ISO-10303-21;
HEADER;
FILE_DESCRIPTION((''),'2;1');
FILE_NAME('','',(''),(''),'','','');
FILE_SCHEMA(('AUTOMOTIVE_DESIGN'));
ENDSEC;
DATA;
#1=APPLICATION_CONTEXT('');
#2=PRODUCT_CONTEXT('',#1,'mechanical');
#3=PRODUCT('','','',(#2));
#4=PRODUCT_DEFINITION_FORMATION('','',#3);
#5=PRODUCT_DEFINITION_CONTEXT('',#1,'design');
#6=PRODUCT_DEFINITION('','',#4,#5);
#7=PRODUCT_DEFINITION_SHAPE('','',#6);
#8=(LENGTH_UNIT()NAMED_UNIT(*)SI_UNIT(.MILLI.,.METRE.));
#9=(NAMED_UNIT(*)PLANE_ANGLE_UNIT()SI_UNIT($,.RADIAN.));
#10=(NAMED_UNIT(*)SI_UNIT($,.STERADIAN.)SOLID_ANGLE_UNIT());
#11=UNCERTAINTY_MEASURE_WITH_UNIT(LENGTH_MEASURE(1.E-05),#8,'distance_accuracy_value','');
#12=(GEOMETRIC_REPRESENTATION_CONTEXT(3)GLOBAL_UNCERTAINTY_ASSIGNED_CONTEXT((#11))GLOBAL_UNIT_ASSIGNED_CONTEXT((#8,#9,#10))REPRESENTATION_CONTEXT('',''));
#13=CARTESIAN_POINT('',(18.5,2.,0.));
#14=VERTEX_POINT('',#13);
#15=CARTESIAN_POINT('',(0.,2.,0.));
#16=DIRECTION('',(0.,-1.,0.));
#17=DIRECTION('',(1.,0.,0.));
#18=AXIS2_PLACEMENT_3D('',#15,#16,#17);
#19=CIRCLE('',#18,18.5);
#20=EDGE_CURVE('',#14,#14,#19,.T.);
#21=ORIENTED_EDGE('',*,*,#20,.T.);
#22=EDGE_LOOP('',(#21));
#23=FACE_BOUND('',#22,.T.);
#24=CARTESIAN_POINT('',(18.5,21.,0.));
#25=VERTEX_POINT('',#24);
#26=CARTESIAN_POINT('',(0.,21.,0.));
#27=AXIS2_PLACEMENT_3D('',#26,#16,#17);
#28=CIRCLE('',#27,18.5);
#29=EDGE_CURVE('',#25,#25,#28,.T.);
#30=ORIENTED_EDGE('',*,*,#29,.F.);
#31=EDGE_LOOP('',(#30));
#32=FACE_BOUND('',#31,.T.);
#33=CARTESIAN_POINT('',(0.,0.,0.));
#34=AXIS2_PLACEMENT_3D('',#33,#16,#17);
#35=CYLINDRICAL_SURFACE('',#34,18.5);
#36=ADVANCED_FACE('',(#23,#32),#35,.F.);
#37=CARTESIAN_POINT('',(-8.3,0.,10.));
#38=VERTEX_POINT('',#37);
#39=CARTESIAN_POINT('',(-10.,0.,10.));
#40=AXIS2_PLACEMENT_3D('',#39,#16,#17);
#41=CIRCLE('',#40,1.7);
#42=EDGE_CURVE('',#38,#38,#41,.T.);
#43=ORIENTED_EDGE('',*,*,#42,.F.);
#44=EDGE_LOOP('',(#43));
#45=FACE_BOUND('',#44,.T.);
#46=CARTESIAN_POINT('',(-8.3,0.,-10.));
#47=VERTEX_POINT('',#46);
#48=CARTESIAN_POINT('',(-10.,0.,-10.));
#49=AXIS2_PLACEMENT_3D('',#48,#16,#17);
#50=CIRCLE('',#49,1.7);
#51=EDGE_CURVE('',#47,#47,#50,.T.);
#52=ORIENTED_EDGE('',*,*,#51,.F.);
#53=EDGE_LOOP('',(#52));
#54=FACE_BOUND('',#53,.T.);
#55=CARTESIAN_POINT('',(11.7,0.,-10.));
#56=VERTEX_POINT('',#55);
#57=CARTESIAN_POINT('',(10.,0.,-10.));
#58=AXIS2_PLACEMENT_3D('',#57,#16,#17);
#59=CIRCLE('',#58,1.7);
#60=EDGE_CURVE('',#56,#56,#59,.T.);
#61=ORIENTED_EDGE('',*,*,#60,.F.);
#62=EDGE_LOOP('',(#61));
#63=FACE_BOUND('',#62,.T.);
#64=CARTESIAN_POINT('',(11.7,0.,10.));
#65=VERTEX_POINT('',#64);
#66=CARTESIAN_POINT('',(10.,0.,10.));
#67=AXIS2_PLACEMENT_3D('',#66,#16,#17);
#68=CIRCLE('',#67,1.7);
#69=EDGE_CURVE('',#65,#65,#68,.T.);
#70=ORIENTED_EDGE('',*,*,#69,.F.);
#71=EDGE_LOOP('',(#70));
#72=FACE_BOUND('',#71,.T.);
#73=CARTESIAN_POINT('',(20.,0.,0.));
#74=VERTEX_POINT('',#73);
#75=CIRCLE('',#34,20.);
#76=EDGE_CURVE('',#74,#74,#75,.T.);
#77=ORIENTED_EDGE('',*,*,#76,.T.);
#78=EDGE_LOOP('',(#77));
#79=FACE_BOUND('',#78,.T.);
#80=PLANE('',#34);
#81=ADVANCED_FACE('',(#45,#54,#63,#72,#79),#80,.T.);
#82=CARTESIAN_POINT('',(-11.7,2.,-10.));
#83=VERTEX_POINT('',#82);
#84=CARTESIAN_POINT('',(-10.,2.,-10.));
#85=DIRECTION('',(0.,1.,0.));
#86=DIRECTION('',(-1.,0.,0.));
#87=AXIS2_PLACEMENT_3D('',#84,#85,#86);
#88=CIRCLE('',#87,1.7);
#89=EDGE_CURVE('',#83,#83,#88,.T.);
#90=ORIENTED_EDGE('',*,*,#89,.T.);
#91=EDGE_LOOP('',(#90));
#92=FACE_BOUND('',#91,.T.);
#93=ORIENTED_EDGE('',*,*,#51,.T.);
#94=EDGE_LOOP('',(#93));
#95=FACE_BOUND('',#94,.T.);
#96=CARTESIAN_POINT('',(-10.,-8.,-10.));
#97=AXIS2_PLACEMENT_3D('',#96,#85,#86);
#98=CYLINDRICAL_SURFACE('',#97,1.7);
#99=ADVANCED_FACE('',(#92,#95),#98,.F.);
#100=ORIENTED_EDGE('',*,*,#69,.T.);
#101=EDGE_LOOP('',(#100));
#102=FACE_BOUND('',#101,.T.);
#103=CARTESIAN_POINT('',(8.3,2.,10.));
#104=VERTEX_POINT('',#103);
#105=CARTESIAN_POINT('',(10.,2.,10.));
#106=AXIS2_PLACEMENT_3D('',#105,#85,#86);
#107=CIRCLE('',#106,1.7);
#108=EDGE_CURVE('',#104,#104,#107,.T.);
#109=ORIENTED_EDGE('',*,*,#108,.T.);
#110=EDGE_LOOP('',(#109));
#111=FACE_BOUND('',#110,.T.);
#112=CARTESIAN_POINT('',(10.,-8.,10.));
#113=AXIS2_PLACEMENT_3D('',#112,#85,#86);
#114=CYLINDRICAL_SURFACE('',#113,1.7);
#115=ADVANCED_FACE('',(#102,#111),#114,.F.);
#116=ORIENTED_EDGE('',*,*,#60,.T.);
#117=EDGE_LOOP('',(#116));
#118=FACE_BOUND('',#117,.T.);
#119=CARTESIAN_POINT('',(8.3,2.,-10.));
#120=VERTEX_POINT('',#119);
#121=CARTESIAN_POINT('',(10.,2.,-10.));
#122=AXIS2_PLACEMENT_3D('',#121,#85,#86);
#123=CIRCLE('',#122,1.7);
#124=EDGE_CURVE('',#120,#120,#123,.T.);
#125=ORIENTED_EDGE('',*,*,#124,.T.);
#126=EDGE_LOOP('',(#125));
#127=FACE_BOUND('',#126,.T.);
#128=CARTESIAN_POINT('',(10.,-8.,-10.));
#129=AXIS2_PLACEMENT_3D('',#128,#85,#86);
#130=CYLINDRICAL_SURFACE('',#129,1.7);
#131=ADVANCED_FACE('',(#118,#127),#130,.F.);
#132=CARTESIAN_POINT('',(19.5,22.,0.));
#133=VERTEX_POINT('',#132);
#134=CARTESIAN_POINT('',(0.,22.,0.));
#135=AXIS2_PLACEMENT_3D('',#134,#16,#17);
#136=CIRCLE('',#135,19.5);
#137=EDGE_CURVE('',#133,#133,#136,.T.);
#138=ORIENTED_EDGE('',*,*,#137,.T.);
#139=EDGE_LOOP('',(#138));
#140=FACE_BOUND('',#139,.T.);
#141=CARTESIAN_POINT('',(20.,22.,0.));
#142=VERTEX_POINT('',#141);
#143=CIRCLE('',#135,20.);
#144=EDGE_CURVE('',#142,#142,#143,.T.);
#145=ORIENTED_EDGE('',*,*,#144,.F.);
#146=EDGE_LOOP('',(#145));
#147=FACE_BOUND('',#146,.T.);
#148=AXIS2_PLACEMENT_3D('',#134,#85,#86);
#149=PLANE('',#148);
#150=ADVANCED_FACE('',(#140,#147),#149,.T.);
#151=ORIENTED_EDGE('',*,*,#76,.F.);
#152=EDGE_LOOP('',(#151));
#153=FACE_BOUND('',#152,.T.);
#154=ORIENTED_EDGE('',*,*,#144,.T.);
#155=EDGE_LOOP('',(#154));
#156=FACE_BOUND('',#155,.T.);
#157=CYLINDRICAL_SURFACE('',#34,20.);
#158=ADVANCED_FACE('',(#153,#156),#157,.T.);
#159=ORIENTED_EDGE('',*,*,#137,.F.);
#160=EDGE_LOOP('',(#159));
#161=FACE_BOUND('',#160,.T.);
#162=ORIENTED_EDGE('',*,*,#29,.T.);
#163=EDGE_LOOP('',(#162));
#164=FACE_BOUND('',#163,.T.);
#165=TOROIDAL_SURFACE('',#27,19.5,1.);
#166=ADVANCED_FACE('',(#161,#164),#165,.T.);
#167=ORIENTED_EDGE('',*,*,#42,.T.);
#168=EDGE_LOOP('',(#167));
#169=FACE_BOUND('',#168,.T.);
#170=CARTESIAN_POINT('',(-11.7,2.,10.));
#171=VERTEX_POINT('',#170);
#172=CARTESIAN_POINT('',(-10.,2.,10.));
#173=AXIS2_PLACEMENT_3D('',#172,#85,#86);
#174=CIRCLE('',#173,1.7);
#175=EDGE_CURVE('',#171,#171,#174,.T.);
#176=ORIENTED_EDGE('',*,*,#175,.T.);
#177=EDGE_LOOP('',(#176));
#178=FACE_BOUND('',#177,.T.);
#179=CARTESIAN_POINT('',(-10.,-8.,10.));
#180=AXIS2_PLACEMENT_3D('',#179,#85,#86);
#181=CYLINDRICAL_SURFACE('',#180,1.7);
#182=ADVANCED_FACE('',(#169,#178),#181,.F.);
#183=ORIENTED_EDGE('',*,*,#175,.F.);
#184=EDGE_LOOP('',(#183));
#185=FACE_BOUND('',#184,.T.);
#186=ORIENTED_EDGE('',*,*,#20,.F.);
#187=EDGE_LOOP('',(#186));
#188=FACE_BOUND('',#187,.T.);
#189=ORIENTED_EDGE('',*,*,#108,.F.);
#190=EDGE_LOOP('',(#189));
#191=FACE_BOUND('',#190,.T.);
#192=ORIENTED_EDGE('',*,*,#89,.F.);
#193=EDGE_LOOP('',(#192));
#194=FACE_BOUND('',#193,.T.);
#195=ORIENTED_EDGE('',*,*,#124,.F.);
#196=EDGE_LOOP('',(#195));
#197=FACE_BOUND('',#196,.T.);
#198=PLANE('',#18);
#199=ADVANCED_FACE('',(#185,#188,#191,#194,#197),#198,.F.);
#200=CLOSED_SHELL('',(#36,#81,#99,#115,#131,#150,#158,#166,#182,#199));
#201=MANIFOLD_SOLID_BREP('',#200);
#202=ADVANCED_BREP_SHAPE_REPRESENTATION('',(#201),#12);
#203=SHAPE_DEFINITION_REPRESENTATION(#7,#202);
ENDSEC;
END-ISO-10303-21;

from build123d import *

# Parameters (mm, degrees)
CUT_EXTRUDE_1_DEPTH = 10


with BuildPart() as part:
    # 草图3 → 旋转1 (revolve)
    with BuildSketch(Plane.XY):
        with BuildLine():
            Line((0, 0), (0, 2))
            Line((0, 2), (18.5, 2))
            Line((18.5, 2), (18.5, 21))
            ThreePointArc((18.5, 21), (18.792893219, 21.707106781), (19.5, 22))
            Line((19.5, 22), (20, 22))
            Line((20, 22), (20, 2))
            Line((20, 2), (20, 1))
            Line((20, 1), (20, 0))
            Line((20, 0), (0, 0))
        make_face()
    revolve(axis=Axis((0, 0, 0), (0, 1, 0)))

    # 草图4 → 切除-拉伸1 (cut)
    with BuildSketch(Plane(origin=(0, 2, 0), x_dir=(1, 0, 0), z_dir=(0, 1, 0))):
        with BuildLine():
            ThreePointArc((10, -8.3), (8.797918472, -8.797918472), (8.3, -10))
            Line((8.3, -10), (10, -10))
            Line((10, -10), (10, -8.3))
        make_face()
        with BuildLine():
            Line((10, -10), (8.3, -10))
            ThreePointArc((8.3, -10), (10, -11.7), (11.7, -10))
            ThreePointArc((11.7, -10), (11.202081528, -8.797918472), (10, -8.3))
            Line((10, -8.3), (10, -10))
        make_face()
        with BuildLine():
            ThreePointArc((-10, -8.3), (-11.202081528, -11.202081528), (-8.3, -10))
            Line((-8.3, -10), (-10, -10))
            Line((-10, -10), (-10, -8.3))
        make_face()
        with BuildLine():
            Line((-10, -10), (-8.3, -10))
            ThreePointArc((-8.3, -10), (-8.797918472, -8.797918472), (-10, -8.3))
            Line((-10, -8.3), (-10, -10))
        make_face()
        with BuildLine():
            ThreePointArc((-8.3, 10), (-11.202081528, 11.202081528), (-10, 8.3))
            Line((-10, 8.3), (-10, 10))
            Line((-10, 10), (-8.3, 10))
        make_face()
        with BuildLine():
            Line((-10, 10), (-10, 8.3))
            ThreePointArc((-10, 8.3), (-8.797918472, 8.797918472), (-8.3, 10))
            Line((-8.3, 10), (-10, 10))
        make_face()
        with BuildLine():
            ThreePointArc((8.3, 10), (8.797918472, 8.797918472), (10, 8.3))
            Line((10, 8.3), (10, 10))
            Line((10, 10), (8.3, 10))
        make_face()
        with BuildLine():
            Line((10, 10), (10, 8.3))
            ThreePointArc((10, 8.3), (11.202081528, 8.797918472), (11.7, 10))
            ThreePointArc((11.7, 10), (10, 11.7), (8.3, 10))
            Line((8.3, 10), (10, 10))
        make_face()
    extrude(amount=-CUT_EXTRUDE_1_DEPTH, mode=Mode.SUBTRACT)


solid = part.part
